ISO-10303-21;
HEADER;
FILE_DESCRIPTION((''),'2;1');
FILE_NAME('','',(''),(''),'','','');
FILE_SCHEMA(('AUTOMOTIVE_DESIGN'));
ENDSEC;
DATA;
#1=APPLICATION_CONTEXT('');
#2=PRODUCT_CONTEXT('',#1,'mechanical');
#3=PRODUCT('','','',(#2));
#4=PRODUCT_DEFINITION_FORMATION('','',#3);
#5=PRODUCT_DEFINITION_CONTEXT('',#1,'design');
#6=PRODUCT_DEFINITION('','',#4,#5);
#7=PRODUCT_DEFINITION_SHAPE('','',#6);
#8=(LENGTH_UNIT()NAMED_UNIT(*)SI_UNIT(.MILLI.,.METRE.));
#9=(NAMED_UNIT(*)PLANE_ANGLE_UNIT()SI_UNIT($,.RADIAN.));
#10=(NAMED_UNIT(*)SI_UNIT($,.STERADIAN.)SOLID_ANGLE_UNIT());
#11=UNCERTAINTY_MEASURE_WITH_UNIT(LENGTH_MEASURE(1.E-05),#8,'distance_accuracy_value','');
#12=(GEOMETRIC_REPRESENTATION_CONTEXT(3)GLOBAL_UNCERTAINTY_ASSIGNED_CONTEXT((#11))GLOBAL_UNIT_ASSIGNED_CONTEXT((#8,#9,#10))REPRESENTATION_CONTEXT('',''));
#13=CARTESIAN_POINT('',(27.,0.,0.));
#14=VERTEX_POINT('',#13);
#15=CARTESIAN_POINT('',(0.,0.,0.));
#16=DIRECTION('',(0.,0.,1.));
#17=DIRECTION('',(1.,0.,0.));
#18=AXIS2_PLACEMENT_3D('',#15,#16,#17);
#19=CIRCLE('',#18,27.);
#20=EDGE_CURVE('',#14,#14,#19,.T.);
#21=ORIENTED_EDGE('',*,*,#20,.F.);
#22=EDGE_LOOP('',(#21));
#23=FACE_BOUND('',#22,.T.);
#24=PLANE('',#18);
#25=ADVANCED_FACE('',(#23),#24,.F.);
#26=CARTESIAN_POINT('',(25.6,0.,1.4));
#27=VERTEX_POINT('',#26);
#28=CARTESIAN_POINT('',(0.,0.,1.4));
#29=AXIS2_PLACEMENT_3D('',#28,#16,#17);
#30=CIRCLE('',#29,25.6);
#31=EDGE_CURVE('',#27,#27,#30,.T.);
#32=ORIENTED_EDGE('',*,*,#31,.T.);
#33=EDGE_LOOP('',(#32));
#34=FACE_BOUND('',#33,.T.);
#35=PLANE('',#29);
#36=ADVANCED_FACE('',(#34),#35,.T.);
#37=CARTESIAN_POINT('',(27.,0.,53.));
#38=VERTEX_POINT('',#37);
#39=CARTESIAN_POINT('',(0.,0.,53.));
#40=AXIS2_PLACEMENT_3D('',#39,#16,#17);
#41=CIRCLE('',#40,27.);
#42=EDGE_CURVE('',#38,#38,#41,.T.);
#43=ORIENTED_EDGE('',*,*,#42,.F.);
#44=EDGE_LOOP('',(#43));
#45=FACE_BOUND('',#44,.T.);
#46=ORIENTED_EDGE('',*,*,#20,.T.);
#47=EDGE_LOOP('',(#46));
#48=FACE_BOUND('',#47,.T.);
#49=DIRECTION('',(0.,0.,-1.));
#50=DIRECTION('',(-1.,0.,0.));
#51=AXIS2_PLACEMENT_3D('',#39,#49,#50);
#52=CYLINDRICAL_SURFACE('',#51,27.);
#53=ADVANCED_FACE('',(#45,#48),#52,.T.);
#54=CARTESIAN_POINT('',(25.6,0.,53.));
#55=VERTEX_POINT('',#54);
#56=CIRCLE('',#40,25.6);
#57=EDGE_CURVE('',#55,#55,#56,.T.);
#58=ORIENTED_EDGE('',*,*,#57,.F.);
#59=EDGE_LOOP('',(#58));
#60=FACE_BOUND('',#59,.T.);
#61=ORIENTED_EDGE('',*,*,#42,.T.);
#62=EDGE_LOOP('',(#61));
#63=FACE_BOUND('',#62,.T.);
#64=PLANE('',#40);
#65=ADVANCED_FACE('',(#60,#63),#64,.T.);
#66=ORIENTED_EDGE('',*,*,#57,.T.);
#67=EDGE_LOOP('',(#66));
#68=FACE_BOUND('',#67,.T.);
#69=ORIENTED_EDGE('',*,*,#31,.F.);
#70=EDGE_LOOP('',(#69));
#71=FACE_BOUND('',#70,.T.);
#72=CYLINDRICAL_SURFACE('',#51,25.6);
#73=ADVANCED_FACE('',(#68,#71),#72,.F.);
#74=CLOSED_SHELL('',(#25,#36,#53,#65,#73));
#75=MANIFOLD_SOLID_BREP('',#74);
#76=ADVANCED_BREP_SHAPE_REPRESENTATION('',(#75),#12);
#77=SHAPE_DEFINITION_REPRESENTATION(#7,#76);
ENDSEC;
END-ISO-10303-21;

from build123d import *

# Parameters (mm, degrees)
SKETCH1_R           = 27
BOSS_EXTRUDE1_DEPTH = 53
SHELL3_T            = -1.4


with BuildPart() as part:
    # Sketch1 → Boss-Extrude1 (new body)
    with BuildSketch(Plane.XY):
        Circle(SKETCH1_R)
    extrude(amount=BOSS_EXTRUDE1_DEPTH)

    # Shell3
    shell3_openings = [part.faces().sort_by_distance(p)[0] for p in [
        (0, 0, 53),
    ]]
    offset(amount=SHELL3_T, openings=shell3_openings, kind=Kind.INTERSECTION)


solid = part.part
